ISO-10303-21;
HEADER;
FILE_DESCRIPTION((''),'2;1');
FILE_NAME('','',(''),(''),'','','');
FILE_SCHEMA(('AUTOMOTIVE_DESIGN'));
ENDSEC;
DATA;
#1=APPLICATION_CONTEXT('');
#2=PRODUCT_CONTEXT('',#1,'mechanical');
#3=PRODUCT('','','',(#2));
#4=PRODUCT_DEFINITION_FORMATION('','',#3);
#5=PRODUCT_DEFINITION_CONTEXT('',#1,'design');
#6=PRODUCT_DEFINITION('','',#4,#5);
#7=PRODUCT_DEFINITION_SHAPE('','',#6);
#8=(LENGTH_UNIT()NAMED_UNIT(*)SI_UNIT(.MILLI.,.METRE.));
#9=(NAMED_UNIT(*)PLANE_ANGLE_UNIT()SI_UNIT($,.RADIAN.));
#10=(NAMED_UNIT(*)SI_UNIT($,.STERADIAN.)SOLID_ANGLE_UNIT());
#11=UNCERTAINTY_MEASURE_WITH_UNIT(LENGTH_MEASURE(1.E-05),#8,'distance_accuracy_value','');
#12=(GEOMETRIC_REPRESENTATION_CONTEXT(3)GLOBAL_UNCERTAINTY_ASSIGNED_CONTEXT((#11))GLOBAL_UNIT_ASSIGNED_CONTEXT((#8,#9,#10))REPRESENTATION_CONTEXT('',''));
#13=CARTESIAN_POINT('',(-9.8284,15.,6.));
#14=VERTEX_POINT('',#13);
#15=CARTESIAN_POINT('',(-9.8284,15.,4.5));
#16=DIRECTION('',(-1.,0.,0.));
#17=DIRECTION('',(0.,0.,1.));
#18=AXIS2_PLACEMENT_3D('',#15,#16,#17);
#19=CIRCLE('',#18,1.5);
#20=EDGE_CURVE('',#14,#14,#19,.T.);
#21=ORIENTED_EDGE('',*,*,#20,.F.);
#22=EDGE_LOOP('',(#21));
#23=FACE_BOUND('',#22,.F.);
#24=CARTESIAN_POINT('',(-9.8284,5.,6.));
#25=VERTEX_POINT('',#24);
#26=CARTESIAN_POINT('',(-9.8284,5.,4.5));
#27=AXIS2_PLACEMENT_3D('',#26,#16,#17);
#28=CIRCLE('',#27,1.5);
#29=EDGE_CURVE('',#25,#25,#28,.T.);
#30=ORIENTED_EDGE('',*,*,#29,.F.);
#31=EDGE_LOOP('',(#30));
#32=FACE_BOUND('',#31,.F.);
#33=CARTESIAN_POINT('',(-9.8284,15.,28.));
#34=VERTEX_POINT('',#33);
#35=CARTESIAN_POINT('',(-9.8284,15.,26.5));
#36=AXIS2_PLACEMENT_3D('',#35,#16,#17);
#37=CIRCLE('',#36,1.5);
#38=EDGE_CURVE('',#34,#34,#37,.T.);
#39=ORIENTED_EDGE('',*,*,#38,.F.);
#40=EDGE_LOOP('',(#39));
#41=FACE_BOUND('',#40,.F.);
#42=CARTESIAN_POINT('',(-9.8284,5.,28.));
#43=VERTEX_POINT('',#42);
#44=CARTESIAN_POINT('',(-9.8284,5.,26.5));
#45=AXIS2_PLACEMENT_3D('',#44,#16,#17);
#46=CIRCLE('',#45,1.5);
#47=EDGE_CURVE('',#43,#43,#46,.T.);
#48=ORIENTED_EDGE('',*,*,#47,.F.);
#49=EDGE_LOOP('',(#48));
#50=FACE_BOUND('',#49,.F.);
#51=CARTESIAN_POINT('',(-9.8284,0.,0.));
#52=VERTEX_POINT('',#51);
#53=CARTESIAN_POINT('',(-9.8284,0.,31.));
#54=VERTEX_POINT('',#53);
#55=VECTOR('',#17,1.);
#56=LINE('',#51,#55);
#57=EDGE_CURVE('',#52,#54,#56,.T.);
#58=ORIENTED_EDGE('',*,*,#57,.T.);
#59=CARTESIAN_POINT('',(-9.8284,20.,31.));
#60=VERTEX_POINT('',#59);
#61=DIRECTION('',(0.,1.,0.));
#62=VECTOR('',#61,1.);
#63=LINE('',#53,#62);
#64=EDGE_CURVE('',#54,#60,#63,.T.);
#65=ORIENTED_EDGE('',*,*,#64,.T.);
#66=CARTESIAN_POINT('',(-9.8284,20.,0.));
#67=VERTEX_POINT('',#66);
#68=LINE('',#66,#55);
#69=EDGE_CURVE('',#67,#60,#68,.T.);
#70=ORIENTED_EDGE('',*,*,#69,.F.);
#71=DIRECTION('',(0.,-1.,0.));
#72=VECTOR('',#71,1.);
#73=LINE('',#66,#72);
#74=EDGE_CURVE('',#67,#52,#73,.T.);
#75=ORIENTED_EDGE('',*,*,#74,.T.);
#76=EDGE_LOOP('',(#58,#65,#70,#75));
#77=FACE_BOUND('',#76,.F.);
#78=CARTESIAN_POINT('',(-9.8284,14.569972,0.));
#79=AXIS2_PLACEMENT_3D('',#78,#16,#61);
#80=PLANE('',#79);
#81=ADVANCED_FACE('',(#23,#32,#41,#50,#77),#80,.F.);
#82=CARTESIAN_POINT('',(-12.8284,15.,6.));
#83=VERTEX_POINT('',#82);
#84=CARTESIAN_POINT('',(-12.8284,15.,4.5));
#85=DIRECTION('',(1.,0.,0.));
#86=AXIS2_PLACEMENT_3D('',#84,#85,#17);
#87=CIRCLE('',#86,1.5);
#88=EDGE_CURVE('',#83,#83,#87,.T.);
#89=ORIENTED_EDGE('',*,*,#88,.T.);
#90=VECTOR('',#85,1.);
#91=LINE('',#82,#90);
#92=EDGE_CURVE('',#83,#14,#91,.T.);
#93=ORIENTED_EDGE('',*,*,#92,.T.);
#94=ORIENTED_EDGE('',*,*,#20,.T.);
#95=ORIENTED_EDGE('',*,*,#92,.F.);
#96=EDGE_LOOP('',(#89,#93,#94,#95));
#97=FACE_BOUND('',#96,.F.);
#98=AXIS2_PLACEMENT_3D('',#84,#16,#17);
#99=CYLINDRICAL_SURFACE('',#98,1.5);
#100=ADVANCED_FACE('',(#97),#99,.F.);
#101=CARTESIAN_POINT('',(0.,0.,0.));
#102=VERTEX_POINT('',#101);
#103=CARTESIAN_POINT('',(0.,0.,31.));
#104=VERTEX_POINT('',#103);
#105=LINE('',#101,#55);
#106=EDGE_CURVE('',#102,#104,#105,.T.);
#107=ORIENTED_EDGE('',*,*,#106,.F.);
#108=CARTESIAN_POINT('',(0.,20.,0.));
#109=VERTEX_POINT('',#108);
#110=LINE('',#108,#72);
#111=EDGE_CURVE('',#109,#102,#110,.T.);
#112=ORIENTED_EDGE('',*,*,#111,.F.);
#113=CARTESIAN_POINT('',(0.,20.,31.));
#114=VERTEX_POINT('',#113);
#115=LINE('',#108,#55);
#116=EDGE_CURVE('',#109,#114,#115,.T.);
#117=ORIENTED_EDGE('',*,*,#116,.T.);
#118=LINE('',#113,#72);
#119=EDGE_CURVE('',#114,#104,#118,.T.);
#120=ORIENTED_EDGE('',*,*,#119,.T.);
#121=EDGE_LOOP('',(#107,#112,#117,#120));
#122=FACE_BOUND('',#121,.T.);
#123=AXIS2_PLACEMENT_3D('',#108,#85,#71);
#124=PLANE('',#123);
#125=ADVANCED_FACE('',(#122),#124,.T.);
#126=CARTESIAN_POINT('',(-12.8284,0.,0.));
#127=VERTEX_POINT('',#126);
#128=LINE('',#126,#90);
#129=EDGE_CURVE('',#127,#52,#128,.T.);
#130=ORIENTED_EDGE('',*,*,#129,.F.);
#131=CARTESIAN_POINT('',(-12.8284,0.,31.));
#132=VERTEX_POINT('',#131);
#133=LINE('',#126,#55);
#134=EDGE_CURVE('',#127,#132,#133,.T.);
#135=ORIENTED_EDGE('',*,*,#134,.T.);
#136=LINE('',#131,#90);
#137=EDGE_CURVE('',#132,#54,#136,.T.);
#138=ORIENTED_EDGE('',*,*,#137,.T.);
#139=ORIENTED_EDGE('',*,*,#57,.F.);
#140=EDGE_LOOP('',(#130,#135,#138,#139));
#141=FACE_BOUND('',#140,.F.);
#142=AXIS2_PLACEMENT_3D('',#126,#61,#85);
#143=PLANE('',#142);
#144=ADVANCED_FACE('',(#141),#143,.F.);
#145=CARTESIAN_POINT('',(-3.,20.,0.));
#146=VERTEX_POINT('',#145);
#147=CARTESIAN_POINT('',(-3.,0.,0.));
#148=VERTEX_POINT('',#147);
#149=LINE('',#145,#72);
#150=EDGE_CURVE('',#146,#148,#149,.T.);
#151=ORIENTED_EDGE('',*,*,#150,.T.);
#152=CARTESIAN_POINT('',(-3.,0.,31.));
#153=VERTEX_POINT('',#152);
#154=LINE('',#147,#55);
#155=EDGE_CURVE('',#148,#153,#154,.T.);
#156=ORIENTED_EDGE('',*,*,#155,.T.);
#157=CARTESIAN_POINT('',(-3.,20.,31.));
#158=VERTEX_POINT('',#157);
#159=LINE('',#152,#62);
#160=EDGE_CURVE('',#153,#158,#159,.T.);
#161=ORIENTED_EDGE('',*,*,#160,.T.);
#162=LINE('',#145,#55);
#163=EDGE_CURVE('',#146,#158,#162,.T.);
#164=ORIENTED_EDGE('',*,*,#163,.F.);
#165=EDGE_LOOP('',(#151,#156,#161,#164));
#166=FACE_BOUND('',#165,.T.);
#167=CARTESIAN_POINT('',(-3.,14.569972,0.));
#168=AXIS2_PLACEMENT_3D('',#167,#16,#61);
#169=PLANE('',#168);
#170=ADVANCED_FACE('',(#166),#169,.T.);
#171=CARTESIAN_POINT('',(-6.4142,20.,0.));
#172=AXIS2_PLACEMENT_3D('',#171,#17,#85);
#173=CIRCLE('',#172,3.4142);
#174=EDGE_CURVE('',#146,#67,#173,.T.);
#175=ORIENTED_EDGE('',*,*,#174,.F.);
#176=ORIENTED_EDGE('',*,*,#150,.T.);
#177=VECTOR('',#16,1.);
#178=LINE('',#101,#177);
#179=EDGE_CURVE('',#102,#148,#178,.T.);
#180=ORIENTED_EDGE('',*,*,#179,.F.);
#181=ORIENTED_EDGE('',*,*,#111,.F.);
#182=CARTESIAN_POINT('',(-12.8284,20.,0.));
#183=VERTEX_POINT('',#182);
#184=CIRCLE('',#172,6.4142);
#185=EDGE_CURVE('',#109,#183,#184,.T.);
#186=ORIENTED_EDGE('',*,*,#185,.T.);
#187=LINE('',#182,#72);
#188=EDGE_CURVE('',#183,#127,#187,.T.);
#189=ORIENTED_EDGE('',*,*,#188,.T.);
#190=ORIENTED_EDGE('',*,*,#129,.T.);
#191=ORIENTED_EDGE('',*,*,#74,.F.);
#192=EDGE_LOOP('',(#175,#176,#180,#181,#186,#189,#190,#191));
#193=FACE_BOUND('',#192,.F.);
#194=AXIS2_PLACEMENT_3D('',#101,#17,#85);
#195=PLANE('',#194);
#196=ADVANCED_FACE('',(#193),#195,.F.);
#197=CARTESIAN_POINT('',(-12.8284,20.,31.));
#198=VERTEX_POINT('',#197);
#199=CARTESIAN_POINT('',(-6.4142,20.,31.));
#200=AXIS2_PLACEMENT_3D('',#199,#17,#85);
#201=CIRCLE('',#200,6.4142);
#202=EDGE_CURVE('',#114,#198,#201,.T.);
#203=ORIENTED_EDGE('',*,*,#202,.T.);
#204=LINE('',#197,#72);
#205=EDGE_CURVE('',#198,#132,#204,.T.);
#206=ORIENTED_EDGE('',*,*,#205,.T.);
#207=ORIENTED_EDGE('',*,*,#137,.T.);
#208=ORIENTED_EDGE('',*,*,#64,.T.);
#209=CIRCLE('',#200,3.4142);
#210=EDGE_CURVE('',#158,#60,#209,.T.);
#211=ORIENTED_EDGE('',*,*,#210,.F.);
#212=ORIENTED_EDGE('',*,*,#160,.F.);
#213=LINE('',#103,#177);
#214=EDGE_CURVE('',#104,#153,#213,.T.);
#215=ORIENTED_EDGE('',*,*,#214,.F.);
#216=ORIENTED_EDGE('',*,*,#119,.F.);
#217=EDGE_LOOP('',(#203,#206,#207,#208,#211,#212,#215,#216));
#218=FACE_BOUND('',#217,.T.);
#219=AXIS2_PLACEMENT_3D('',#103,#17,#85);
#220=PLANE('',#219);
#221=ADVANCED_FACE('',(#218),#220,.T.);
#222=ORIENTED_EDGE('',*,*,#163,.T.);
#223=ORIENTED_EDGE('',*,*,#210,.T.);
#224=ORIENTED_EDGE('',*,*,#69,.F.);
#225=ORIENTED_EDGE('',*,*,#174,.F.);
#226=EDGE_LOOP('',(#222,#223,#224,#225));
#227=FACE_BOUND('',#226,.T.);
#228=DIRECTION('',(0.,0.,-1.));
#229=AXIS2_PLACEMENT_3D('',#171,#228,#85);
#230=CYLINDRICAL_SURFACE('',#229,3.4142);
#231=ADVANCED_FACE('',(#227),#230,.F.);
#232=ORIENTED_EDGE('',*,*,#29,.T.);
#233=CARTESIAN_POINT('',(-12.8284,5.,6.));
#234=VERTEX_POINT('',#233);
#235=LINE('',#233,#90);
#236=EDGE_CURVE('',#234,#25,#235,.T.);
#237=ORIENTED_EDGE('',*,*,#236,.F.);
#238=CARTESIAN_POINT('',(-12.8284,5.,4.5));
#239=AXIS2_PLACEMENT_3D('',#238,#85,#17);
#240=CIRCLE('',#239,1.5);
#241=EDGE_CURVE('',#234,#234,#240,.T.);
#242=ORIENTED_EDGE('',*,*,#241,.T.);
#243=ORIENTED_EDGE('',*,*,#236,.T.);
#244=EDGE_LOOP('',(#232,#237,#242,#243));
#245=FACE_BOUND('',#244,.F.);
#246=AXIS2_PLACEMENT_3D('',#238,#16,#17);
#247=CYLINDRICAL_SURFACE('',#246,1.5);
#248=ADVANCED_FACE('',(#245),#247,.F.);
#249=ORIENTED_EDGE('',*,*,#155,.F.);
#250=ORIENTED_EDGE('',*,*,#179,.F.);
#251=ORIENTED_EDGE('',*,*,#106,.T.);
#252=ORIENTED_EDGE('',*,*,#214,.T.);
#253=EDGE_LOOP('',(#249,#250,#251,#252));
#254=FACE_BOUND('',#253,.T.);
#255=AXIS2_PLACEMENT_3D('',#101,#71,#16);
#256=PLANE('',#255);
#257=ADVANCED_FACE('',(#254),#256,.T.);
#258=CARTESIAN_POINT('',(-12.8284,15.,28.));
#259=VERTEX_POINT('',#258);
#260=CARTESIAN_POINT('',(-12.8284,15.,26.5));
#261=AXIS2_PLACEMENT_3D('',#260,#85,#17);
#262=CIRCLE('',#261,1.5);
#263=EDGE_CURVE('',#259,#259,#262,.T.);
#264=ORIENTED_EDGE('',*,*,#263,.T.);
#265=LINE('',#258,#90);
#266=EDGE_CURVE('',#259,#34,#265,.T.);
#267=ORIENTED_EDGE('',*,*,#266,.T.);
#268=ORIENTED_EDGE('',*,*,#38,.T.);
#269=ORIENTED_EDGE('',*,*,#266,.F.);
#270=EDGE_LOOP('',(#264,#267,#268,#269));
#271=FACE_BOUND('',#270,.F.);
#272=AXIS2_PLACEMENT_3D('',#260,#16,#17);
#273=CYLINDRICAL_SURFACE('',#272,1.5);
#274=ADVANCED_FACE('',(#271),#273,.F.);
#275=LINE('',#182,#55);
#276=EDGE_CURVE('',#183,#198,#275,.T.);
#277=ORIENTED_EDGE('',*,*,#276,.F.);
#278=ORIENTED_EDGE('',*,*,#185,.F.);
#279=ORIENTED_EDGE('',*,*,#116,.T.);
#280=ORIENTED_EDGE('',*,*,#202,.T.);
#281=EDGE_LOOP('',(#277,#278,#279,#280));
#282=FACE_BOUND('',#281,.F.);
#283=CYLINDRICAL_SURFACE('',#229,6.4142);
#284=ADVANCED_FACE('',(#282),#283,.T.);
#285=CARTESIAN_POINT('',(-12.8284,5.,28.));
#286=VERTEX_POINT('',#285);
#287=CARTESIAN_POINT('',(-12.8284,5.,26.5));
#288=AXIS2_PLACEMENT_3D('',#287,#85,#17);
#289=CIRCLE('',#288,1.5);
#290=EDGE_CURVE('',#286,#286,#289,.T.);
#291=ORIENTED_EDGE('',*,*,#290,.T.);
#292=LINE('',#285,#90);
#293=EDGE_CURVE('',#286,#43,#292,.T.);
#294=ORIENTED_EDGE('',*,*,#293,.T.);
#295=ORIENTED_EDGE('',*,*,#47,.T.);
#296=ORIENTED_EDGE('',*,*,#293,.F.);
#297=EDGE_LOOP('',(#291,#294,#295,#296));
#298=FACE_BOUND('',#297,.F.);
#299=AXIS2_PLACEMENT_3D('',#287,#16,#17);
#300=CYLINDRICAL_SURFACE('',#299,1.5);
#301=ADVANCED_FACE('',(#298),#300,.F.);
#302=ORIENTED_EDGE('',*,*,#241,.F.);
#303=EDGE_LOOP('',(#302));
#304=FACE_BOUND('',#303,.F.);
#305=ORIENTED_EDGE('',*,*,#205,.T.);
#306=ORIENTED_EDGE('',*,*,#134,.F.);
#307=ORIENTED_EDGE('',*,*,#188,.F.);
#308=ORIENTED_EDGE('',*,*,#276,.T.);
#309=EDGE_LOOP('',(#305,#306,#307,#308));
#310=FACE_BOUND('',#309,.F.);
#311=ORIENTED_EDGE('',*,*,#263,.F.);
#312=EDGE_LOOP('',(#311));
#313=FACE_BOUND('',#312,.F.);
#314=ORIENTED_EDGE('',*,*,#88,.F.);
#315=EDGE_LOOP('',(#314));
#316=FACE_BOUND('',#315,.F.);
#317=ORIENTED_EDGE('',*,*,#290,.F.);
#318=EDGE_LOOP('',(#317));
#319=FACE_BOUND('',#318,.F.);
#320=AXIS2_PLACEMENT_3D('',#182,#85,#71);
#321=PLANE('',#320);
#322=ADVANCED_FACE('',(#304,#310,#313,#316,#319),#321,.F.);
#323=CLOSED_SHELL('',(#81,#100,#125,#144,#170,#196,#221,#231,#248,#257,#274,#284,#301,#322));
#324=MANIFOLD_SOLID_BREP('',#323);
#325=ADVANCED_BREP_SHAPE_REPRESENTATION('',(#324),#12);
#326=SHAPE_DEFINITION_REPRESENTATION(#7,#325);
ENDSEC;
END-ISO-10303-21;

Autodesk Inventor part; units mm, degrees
ref_plane "YZ Plane" through (0, 0, 0) normal (1, 0, 0) x (0, 1, 0)
ref_plane "XZ Plane" through (0, 0, 0) normal (0, 1, 0) x (-1, 0, 0)
sketch "Sketch1" plane through (0, 0, 0) normal (0, 0, 1) x (1, 0, 0)
  line L0 (0, 20) -> (0, 0) projected
  line L1 (0, 20) -> (-3, 20) projected
  line L2 (-3, 0) -> (-3, 20) projected
  line L3 (0, 0) -> (-3, 0) projected
  arc A0 (-3, 20) -> (-9.8284, 20) centre (-6.4142, 20) ccw
  circle A1 centre (-6.4142, 20) radius 6.4142
  line L4 (-9.8284, 20) -> (-12.8284, 20)
  line L5 (-12.8284, 20) -> (-12.8284, 0)
  line L6 (-12.8284, 0) -> (-9.8284, 0)
  line L7 (-9.8284, 0) -> (-9.8284, 20)
  point P0 (-3, 14.57)
ref_plane "Work Plane1" through (-3, 0, 31) normal (0, 0, -1) x (0, 1, 0)
extrude "Extrusion1" add sketch "Sketch1" along normal up to surface (31 mm away) contours A1 L2 L1 | L1 A0 L4 A1 | L0 L3 L2 A1 | L4 L7 A1 | A1 L7 L6 L5
sketch "Sketch2" plane through (-12.8284, 0, 0) normal (-1, 0, 0) x (0, 0, 1)
  line L0 (0, 0) -> (31, 0) projected
  line L1 (15.5, 0) -> (15.5, 20)
  line L2 (0, 20) -> (31, 20) projected
  line L3 (15.5, 10) -> (4.5, 10)
  line L4 (15.5, 10) -> (26.5, 10)
  line L5 (26.5, 10) -> (26.5, 5)
  line L6 (4.5, 10) -> (4.5, 15)
  circle A0 centre (26.5, 5) radius 1.5
  circle A1 centre (4.5, 15) radius 1.5
  line L7 (26.5, 5) -> (4.5, 5)
  line L8 (4.5, 5) -> (4.5, 15)
  line L9 (4.5, 15) -> (26.5, 15)
  line L10 (26.5, 15) -> (26.5, 5)
  circle A2 centre (4.5, 5) radius 1.5
  circle A3 centre (26.5, 15) radius 1.5
  dimension "d2" = 11
  dimension "d3" = 11
  dimension "d4" = 5
  dimension "d5" = 5
  dimension "d6" = 3
  dimension "d7" = 3
  dimension "d8" = 3
  dimension "d9" = 3
extrude "Extrusion2" cut sketch "Sketch2" against normal up to surface (3 mm away) contours L7 L5 A0 | A0 L5 L7 | A2 L8 L7 | L7 L8 A2 | L9 L6 A1 | A1 L6 L9 | A3 L10 L9 | L9 L10 A3
properties part number "back_helmet_holder" material "Stainless Steel"
